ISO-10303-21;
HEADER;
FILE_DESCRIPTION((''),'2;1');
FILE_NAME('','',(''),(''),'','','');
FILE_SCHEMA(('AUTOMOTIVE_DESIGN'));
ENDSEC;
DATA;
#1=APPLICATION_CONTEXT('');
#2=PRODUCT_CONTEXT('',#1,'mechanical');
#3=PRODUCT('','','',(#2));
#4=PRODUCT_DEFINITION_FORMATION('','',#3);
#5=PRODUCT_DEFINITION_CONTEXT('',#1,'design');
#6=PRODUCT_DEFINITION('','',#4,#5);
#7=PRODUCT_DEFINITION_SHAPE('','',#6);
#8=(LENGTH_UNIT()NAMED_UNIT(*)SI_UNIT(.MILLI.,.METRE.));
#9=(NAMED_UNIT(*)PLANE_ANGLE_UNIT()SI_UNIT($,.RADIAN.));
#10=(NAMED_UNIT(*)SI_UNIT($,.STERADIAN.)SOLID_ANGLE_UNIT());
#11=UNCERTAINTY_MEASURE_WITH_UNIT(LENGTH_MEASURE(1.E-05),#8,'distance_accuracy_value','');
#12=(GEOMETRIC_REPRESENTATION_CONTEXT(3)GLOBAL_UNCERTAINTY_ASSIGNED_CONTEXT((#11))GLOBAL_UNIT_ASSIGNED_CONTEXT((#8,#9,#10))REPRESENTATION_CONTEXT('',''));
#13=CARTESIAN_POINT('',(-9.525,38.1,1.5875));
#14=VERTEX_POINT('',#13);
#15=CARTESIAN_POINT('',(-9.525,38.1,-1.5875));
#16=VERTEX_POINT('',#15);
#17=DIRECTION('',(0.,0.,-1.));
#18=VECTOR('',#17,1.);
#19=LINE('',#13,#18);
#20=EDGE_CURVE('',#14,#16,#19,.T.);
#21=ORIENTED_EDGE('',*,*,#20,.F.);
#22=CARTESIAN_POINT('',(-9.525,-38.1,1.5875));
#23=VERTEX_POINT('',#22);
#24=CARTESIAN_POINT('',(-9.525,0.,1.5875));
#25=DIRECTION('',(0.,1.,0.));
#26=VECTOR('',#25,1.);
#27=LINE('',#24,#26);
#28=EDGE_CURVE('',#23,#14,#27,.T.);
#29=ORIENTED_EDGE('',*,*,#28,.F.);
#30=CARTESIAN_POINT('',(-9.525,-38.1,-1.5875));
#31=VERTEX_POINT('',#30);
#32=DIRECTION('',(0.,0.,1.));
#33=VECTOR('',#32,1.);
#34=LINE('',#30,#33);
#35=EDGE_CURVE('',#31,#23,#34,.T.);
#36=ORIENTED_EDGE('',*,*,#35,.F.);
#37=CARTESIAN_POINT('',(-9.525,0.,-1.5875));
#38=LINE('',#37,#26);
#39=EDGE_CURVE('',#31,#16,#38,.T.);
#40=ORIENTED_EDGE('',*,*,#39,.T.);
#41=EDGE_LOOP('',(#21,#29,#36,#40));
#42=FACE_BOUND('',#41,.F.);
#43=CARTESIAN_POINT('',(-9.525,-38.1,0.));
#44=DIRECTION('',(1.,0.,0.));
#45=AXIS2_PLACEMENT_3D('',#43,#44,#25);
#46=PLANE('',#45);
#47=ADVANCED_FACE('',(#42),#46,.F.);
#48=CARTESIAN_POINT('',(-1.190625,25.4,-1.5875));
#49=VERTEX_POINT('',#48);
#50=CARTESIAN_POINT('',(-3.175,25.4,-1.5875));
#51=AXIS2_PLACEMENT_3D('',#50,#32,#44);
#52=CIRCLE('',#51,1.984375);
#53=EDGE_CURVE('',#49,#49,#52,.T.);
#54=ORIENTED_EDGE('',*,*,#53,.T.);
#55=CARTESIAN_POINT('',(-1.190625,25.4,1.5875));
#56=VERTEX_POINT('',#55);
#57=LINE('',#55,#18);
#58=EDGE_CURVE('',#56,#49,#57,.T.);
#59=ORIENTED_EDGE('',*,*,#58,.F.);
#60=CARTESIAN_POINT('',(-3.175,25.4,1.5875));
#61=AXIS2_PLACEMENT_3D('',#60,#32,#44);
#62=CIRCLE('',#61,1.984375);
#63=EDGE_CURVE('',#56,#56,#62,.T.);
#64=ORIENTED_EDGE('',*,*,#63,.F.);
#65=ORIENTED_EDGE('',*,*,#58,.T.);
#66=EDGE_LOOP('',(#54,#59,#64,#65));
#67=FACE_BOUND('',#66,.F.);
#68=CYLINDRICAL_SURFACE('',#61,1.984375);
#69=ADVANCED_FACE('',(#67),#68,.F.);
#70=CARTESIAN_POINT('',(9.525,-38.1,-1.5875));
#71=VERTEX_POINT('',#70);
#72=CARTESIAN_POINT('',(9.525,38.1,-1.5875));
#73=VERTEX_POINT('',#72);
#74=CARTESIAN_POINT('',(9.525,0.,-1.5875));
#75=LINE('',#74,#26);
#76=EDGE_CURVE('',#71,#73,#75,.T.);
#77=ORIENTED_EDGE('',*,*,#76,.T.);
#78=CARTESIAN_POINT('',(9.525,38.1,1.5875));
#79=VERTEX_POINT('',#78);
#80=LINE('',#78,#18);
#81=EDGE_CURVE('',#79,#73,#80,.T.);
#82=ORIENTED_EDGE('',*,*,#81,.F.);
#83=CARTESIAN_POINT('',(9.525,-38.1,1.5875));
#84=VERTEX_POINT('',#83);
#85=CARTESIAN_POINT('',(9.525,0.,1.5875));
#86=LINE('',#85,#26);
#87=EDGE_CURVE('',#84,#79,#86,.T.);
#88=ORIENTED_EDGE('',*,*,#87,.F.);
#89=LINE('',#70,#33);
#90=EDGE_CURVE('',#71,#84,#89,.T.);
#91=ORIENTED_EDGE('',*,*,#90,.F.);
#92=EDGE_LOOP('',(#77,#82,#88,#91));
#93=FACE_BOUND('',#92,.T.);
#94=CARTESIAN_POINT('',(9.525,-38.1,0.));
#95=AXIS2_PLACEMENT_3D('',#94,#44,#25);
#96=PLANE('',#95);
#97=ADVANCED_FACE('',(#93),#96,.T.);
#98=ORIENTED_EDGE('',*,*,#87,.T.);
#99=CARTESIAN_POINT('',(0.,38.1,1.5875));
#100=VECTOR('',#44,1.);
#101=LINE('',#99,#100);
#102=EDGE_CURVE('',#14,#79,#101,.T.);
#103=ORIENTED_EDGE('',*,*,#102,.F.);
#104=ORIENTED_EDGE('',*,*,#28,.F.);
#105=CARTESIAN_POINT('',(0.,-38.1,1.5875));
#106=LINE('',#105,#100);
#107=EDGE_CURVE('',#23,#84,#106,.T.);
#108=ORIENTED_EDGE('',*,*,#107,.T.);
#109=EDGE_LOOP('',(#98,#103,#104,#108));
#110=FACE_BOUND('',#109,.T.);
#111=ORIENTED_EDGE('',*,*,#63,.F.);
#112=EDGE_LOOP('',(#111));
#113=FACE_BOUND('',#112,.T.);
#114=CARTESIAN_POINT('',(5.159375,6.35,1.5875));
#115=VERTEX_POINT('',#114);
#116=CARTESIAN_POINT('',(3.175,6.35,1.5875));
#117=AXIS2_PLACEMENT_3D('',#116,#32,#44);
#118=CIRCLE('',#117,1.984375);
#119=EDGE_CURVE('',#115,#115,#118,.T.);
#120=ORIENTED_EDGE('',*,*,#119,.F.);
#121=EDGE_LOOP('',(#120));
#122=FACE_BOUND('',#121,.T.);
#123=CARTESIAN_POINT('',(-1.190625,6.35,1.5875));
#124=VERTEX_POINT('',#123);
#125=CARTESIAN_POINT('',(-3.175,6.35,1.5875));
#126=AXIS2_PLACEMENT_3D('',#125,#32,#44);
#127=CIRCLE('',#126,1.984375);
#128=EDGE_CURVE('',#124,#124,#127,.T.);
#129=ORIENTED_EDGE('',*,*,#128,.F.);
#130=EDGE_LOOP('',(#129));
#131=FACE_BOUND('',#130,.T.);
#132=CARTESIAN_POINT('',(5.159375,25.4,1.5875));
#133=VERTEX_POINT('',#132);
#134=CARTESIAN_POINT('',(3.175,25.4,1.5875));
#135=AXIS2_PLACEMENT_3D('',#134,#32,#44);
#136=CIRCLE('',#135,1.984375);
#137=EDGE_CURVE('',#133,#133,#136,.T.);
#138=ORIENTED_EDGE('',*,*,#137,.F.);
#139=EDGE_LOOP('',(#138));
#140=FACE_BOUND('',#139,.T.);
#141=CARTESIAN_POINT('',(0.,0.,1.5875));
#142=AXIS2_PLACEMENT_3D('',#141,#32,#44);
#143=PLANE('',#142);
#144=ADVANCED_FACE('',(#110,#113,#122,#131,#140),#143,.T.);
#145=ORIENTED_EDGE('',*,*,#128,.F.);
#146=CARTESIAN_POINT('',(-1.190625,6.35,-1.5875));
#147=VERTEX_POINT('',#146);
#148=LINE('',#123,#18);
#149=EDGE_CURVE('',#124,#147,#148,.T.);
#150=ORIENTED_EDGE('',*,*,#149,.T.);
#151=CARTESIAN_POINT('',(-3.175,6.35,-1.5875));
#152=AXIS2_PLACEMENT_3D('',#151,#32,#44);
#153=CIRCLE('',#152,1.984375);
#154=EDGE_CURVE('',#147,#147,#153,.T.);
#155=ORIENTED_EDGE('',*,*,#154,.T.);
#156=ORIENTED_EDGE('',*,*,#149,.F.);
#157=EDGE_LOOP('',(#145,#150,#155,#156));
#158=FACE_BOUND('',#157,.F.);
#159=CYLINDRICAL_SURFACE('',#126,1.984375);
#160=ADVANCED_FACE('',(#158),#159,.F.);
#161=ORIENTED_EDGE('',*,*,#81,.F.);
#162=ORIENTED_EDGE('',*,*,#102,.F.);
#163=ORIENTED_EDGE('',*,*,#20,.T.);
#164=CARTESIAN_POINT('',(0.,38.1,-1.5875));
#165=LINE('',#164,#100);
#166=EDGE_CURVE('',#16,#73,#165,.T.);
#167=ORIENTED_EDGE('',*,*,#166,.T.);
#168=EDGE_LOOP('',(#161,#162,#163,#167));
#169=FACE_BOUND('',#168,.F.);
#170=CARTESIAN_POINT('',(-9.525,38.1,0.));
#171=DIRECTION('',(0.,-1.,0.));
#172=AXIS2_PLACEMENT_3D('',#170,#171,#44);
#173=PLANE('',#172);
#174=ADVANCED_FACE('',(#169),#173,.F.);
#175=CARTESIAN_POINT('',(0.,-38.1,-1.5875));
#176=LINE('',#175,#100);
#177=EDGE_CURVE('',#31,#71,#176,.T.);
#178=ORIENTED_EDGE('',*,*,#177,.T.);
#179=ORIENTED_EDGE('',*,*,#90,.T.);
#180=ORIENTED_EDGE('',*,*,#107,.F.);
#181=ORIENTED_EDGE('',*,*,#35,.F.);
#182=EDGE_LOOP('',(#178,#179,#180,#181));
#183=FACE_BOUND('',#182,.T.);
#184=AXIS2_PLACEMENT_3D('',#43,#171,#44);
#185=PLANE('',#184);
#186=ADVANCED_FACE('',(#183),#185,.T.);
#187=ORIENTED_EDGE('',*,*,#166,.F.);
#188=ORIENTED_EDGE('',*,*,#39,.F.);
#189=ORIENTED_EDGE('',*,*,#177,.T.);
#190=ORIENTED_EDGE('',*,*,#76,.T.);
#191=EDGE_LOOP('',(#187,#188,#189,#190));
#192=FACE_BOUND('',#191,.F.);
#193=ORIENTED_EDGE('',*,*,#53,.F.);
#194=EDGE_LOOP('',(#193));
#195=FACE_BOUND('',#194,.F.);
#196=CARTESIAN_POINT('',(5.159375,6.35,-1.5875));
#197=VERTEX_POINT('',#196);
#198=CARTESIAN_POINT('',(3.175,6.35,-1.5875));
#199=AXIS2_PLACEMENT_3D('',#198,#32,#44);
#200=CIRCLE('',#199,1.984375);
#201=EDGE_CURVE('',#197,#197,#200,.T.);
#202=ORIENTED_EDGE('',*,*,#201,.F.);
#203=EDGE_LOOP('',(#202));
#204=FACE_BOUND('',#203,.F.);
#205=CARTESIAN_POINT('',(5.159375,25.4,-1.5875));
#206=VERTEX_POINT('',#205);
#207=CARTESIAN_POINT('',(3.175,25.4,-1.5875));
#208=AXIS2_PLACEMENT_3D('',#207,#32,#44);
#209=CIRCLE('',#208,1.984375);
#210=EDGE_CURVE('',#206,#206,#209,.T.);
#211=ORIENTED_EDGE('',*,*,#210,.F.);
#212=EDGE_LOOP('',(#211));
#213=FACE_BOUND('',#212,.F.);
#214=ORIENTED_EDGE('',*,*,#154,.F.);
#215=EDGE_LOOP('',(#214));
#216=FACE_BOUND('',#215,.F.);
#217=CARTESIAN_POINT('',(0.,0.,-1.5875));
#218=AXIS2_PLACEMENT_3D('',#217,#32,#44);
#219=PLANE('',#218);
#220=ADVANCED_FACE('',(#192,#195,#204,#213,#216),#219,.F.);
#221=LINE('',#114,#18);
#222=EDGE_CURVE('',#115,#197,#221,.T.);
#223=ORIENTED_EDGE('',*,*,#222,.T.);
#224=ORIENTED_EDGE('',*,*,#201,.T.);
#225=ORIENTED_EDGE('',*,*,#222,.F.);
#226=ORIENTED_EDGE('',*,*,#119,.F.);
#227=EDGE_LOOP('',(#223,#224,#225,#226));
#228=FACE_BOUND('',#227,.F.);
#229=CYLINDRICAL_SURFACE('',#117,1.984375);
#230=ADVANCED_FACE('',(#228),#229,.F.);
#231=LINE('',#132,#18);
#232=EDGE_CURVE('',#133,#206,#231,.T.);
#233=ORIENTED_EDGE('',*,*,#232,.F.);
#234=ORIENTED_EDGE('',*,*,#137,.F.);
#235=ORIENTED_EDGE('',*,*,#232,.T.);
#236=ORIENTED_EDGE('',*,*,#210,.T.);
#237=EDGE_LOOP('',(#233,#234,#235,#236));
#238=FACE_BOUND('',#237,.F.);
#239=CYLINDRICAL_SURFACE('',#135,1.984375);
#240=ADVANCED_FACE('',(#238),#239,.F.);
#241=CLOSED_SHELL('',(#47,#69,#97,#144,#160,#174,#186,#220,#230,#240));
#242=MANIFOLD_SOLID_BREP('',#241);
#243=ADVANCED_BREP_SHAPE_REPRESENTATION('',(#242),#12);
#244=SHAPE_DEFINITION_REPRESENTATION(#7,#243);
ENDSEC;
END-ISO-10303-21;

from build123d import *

# Parameters (mm, degrees)
F0_W     = 19.05
F0_H     = 76.2
F1_DEPTH = 1.5875
F2_R     = 1.984375
F3_DEPTH = 3.175


with BuildPart() as f1:
    # F0 (on Top) → F1 (new body, symmetric)
    with BuildSketch(Plane.XY):
        Rectangle(F0_W, F0_H)
    extrude(amount=F1_DEPTH, both=True)

    # F2 (on face) → F3 (cut, through all)
    with BuildSketch(Plane.XY.offset(1.5875)):
        with Locations((3.175, 25.4)):
            Circle(F2_R)
        with Locations((-3.175, 25.4)):
            Circle(F2_R)
        with Locations((-3.175, 6.35)):
            Circle(F2_R)
        with Locations((3.175, 6.35)):
            Circle(F2_R)
    extrude(amount=-F3_DEPTH, mode=Mode.SUBTRACT)


solid = f1.part
